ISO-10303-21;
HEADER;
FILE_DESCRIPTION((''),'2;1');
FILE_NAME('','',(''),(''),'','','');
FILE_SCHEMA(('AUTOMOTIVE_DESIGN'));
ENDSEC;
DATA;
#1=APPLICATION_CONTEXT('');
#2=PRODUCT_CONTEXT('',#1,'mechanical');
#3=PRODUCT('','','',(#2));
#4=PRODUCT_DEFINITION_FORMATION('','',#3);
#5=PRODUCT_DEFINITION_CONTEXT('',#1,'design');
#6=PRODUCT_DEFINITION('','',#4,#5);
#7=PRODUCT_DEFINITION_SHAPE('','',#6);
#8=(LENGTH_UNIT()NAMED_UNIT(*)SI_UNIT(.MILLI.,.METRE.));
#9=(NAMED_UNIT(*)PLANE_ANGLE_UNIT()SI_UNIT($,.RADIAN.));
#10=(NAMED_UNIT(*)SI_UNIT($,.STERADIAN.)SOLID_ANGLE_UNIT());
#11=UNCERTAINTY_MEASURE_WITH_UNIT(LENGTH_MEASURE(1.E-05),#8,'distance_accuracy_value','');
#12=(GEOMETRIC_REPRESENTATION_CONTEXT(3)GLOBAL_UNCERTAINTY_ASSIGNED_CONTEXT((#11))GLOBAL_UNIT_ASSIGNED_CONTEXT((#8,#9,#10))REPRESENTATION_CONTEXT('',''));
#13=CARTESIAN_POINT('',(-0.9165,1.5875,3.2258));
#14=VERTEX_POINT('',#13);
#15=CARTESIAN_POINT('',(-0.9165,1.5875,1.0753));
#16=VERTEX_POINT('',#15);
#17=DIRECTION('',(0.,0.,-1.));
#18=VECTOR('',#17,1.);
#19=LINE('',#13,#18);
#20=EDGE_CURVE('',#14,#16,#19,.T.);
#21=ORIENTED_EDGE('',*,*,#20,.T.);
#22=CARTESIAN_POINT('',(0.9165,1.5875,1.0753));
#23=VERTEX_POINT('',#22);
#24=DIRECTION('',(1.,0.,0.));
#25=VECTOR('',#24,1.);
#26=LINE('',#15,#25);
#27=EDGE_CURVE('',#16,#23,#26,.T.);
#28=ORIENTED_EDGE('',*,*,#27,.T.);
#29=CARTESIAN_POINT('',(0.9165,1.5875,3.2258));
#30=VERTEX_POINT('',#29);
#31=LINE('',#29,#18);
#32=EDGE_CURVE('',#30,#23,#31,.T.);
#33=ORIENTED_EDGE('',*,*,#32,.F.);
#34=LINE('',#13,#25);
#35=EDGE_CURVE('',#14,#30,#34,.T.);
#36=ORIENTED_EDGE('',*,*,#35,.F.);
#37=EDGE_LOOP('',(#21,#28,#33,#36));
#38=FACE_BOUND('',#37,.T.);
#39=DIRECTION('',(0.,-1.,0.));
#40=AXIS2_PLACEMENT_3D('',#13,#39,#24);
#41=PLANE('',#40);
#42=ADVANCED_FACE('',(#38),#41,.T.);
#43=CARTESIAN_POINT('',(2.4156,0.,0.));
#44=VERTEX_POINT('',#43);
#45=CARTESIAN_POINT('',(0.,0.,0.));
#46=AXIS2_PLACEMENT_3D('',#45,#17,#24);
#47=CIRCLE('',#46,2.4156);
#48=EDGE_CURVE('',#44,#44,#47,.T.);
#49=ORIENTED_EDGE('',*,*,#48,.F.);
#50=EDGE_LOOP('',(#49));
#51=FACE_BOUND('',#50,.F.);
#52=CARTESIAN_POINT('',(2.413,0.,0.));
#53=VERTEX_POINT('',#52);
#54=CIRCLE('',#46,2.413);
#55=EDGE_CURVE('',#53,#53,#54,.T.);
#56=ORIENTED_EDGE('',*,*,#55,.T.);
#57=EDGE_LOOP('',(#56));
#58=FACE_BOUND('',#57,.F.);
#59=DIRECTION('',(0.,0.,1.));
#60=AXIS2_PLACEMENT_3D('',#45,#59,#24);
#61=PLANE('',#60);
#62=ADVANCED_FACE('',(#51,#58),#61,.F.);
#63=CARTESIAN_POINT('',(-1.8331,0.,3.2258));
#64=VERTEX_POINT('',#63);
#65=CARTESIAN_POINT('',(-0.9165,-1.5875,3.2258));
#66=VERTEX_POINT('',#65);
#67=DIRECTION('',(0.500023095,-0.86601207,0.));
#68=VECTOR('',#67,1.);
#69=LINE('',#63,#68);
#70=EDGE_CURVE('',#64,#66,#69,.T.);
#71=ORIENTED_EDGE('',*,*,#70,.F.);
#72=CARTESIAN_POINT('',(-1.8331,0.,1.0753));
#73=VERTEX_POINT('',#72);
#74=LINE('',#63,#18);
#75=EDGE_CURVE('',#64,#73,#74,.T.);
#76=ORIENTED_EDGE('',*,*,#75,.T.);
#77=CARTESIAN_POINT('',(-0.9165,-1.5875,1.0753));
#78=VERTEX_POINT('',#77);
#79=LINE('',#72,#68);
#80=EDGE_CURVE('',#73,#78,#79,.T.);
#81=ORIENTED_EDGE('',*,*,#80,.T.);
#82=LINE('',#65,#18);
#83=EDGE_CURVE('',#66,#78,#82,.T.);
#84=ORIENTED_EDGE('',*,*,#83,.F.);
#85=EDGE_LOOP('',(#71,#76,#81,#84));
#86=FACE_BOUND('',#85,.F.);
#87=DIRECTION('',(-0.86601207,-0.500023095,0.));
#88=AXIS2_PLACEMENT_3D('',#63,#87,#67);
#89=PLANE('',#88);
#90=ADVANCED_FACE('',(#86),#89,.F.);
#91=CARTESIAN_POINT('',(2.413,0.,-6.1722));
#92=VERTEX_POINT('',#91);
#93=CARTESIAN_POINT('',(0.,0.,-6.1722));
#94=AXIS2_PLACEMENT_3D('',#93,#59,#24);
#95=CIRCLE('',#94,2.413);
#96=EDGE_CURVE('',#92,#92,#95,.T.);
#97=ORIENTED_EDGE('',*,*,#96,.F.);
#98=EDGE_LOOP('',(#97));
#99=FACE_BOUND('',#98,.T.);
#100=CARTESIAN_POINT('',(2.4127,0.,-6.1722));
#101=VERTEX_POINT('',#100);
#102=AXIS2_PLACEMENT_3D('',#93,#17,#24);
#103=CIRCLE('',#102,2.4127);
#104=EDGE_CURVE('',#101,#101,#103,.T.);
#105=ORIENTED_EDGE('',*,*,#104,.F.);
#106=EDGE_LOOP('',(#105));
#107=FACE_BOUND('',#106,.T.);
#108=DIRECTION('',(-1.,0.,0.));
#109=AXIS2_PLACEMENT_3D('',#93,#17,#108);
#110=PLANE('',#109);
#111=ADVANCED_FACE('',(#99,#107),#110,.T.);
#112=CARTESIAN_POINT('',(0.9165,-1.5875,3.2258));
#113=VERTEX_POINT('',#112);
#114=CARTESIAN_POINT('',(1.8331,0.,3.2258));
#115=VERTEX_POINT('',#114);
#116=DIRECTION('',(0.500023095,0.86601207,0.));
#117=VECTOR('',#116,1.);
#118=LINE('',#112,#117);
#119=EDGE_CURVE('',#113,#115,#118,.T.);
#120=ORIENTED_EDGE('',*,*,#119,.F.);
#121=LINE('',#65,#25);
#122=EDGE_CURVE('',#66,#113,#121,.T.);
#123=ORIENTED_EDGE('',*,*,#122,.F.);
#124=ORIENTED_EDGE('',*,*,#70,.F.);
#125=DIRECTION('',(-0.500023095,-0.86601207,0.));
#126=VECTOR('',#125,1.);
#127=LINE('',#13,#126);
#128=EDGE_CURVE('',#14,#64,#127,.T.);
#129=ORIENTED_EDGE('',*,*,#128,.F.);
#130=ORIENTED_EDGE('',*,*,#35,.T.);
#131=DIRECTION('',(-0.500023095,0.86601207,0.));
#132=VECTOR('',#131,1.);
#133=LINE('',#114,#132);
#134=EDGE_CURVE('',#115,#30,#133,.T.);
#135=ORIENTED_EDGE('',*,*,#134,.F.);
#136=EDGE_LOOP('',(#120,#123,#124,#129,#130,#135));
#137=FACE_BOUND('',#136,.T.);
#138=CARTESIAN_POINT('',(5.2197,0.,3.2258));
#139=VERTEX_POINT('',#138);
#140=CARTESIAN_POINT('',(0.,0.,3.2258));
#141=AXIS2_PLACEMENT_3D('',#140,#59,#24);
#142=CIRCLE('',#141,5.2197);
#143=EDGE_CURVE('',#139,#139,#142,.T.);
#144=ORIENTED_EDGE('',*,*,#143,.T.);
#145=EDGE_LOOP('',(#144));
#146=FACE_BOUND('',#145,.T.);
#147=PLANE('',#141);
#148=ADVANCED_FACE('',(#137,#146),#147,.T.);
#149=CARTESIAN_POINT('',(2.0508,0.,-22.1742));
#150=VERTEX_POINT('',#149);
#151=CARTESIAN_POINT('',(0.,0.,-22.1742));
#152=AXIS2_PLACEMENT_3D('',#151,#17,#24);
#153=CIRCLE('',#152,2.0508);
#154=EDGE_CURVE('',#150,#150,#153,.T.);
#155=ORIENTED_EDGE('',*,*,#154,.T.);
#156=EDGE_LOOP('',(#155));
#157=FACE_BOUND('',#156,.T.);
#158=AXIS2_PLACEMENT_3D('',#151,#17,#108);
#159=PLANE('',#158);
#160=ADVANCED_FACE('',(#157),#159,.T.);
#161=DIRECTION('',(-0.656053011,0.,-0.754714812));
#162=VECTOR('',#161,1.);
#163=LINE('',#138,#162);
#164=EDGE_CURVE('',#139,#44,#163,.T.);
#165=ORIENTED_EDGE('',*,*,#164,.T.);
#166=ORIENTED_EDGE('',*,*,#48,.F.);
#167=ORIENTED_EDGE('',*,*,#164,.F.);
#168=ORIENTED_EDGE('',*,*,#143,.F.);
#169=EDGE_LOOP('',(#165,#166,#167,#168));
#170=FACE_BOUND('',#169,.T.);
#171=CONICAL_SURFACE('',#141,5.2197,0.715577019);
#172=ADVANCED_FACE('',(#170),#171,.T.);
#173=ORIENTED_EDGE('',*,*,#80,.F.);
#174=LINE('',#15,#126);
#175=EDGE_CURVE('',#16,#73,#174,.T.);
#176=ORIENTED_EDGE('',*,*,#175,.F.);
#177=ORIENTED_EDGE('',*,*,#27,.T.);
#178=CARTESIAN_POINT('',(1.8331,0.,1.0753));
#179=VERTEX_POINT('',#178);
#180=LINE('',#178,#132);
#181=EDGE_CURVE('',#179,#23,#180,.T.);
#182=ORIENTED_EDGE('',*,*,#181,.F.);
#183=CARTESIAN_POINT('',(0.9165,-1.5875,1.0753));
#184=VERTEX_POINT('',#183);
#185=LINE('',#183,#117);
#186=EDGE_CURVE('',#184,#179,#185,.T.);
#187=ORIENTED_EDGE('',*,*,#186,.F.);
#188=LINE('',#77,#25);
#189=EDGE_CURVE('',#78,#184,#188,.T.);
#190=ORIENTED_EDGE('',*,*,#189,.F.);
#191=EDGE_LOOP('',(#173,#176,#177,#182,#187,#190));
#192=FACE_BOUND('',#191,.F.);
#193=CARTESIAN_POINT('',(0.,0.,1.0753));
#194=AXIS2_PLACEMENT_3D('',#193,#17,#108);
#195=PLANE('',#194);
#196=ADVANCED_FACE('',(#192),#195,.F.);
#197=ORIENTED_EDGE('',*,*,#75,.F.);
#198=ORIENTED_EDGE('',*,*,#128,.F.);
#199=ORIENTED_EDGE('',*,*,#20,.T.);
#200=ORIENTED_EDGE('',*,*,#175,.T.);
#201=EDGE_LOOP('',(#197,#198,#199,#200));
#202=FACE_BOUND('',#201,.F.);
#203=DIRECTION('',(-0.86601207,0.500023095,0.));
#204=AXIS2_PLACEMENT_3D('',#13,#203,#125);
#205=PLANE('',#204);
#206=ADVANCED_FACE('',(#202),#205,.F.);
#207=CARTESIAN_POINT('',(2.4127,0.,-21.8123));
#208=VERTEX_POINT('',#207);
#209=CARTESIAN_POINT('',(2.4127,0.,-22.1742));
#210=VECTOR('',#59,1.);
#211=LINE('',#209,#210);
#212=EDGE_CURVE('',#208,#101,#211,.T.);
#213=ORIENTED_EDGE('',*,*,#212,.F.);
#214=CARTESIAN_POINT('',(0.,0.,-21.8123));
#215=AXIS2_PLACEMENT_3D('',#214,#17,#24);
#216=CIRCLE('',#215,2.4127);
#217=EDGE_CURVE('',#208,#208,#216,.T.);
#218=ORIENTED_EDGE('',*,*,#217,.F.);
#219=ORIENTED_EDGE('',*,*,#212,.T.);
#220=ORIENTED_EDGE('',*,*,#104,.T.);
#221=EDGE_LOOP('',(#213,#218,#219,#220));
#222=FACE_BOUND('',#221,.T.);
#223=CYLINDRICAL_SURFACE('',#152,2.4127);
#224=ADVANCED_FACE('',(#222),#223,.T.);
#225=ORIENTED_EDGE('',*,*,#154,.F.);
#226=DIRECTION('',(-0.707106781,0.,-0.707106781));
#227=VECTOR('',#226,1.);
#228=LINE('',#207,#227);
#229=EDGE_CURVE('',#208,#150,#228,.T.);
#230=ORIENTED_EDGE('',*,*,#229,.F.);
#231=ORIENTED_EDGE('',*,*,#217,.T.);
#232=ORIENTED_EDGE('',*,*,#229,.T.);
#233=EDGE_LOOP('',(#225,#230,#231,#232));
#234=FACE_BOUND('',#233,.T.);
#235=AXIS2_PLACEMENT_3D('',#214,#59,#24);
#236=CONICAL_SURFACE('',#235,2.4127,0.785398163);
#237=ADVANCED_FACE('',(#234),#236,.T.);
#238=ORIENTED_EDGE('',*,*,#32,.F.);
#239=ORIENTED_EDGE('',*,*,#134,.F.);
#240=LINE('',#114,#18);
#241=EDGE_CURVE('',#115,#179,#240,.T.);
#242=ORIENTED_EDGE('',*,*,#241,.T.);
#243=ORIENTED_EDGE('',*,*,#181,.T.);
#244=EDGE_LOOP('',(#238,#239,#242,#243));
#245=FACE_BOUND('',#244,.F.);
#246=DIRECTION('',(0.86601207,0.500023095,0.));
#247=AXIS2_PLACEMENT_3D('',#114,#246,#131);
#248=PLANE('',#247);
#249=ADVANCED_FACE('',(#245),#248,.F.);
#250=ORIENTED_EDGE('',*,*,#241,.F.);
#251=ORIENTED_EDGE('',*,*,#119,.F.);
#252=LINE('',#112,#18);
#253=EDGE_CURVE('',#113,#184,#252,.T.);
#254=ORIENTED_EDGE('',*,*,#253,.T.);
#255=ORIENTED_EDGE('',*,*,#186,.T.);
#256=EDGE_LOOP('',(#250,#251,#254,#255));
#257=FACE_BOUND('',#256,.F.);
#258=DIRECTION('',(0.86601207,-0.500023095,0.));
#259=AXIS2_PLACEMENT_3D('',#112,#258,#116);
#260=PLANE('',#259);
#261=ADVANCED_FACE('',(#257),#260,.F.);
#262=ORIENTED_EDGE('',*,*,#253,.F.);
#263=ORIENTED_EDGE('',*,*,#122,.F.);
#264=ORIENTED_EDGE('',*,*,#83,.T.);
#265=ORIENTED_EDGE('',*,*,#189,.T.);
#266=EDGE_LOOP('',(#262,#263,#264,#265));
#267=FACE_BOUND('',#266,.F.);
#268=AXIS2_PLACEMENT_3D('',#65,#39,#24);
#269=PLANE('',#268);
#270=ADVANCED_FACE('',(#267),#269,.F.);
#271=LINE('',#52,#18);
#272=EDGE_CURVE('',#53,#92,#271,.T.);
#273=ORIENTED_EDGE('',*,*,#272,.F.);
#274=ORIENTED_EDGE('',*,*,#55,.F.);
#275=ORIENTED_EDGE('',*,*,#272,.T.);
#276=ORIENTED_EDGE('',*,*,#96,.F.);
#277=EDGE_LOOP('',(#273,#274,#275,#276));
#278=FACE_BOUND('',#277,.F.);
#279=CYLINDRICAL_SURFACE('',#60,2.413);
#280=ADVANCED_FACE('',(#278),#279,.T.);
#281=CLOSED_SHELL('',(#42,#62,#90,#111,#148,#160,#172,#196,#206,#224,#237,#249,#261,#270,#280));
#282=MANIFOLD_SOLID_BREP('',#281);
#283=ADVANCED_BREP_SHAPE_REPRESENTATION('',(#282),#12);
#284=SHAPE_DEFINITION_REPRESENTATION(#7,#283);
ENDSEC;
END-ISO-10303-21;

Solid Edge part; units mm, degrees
sketch "Sketch1" plane through (0, 0, 0) normal (0, 0, 1) x (1, 0, 0)
  circle A0 centre (0, 0) radius 5.2197
  dimension "D1" = 10.4394
extrude "Protrusion1" add sketch "Sketch1" along normal blind 3.2258
sketch "Sketch2" plane through (0, 0, 0) normal (0, 0, -1) x (1, 0, 0)
  circle A0 centre (0, 0) radius 2.413
extrude "Protrusion2" add sketch "Sketch2" along normal blind 22.1742
sketch "Sketch3" plane through (0, 0, -22.1742) normal (0, 0, -1) x (1, 0, 0)
  circle A0 centre (0, 0) radius 2.4127
extrude "Cutout1" cut sketch "Sketch3" against normal blind 16.002 flip side to cut
chamfer "Chamfer_1" distance 0.3619 angle 45 1 edges at (-2.4127, 0, -22.1742)
sketch "Sketch4" plane through (0, 0, 3.2258) normal (0, 0, 1) x (1, 0, 0)
  line L0 (-0.9165, 1.5875) -> (0.9165, 1.5875)
  line L1 (1.8331, 0) -> (0.9165, 1.5875)
  line L2 (0.9165, -1.5875) -> (1.8331, 0)
  line L3 (-0.9165, -1.5875) -> (0.9165, -1.5875)
  line L4 (-1.8331, 0) -> (-0.9165, -1.5875)
  line L5 (-0.9165, 1.5875) -> (-1.8331, 0)
  dimension "D1" = 3.175
extrude "Cutout2" cut sketch "Sketch4" against normal blind 2.1505
sketch "Sketch5" plane through (0, 0, 0) normal (0, -1, 0) x (1, 0, 0)
  line L0 (5.2197, 3.2258) -> (2.4156, 0)
  line L1 (2.4156, 0) -> (5.2197, 0)
  line L2 (5.2197, 0) -> (5.2197, 3.2258)
revolve "RevolvedCutout1" cut sketch "Sketch5" angle 360 about axis through (0, 0, 14.0017) along (0, 0, -1)
properties part number "24101616"
